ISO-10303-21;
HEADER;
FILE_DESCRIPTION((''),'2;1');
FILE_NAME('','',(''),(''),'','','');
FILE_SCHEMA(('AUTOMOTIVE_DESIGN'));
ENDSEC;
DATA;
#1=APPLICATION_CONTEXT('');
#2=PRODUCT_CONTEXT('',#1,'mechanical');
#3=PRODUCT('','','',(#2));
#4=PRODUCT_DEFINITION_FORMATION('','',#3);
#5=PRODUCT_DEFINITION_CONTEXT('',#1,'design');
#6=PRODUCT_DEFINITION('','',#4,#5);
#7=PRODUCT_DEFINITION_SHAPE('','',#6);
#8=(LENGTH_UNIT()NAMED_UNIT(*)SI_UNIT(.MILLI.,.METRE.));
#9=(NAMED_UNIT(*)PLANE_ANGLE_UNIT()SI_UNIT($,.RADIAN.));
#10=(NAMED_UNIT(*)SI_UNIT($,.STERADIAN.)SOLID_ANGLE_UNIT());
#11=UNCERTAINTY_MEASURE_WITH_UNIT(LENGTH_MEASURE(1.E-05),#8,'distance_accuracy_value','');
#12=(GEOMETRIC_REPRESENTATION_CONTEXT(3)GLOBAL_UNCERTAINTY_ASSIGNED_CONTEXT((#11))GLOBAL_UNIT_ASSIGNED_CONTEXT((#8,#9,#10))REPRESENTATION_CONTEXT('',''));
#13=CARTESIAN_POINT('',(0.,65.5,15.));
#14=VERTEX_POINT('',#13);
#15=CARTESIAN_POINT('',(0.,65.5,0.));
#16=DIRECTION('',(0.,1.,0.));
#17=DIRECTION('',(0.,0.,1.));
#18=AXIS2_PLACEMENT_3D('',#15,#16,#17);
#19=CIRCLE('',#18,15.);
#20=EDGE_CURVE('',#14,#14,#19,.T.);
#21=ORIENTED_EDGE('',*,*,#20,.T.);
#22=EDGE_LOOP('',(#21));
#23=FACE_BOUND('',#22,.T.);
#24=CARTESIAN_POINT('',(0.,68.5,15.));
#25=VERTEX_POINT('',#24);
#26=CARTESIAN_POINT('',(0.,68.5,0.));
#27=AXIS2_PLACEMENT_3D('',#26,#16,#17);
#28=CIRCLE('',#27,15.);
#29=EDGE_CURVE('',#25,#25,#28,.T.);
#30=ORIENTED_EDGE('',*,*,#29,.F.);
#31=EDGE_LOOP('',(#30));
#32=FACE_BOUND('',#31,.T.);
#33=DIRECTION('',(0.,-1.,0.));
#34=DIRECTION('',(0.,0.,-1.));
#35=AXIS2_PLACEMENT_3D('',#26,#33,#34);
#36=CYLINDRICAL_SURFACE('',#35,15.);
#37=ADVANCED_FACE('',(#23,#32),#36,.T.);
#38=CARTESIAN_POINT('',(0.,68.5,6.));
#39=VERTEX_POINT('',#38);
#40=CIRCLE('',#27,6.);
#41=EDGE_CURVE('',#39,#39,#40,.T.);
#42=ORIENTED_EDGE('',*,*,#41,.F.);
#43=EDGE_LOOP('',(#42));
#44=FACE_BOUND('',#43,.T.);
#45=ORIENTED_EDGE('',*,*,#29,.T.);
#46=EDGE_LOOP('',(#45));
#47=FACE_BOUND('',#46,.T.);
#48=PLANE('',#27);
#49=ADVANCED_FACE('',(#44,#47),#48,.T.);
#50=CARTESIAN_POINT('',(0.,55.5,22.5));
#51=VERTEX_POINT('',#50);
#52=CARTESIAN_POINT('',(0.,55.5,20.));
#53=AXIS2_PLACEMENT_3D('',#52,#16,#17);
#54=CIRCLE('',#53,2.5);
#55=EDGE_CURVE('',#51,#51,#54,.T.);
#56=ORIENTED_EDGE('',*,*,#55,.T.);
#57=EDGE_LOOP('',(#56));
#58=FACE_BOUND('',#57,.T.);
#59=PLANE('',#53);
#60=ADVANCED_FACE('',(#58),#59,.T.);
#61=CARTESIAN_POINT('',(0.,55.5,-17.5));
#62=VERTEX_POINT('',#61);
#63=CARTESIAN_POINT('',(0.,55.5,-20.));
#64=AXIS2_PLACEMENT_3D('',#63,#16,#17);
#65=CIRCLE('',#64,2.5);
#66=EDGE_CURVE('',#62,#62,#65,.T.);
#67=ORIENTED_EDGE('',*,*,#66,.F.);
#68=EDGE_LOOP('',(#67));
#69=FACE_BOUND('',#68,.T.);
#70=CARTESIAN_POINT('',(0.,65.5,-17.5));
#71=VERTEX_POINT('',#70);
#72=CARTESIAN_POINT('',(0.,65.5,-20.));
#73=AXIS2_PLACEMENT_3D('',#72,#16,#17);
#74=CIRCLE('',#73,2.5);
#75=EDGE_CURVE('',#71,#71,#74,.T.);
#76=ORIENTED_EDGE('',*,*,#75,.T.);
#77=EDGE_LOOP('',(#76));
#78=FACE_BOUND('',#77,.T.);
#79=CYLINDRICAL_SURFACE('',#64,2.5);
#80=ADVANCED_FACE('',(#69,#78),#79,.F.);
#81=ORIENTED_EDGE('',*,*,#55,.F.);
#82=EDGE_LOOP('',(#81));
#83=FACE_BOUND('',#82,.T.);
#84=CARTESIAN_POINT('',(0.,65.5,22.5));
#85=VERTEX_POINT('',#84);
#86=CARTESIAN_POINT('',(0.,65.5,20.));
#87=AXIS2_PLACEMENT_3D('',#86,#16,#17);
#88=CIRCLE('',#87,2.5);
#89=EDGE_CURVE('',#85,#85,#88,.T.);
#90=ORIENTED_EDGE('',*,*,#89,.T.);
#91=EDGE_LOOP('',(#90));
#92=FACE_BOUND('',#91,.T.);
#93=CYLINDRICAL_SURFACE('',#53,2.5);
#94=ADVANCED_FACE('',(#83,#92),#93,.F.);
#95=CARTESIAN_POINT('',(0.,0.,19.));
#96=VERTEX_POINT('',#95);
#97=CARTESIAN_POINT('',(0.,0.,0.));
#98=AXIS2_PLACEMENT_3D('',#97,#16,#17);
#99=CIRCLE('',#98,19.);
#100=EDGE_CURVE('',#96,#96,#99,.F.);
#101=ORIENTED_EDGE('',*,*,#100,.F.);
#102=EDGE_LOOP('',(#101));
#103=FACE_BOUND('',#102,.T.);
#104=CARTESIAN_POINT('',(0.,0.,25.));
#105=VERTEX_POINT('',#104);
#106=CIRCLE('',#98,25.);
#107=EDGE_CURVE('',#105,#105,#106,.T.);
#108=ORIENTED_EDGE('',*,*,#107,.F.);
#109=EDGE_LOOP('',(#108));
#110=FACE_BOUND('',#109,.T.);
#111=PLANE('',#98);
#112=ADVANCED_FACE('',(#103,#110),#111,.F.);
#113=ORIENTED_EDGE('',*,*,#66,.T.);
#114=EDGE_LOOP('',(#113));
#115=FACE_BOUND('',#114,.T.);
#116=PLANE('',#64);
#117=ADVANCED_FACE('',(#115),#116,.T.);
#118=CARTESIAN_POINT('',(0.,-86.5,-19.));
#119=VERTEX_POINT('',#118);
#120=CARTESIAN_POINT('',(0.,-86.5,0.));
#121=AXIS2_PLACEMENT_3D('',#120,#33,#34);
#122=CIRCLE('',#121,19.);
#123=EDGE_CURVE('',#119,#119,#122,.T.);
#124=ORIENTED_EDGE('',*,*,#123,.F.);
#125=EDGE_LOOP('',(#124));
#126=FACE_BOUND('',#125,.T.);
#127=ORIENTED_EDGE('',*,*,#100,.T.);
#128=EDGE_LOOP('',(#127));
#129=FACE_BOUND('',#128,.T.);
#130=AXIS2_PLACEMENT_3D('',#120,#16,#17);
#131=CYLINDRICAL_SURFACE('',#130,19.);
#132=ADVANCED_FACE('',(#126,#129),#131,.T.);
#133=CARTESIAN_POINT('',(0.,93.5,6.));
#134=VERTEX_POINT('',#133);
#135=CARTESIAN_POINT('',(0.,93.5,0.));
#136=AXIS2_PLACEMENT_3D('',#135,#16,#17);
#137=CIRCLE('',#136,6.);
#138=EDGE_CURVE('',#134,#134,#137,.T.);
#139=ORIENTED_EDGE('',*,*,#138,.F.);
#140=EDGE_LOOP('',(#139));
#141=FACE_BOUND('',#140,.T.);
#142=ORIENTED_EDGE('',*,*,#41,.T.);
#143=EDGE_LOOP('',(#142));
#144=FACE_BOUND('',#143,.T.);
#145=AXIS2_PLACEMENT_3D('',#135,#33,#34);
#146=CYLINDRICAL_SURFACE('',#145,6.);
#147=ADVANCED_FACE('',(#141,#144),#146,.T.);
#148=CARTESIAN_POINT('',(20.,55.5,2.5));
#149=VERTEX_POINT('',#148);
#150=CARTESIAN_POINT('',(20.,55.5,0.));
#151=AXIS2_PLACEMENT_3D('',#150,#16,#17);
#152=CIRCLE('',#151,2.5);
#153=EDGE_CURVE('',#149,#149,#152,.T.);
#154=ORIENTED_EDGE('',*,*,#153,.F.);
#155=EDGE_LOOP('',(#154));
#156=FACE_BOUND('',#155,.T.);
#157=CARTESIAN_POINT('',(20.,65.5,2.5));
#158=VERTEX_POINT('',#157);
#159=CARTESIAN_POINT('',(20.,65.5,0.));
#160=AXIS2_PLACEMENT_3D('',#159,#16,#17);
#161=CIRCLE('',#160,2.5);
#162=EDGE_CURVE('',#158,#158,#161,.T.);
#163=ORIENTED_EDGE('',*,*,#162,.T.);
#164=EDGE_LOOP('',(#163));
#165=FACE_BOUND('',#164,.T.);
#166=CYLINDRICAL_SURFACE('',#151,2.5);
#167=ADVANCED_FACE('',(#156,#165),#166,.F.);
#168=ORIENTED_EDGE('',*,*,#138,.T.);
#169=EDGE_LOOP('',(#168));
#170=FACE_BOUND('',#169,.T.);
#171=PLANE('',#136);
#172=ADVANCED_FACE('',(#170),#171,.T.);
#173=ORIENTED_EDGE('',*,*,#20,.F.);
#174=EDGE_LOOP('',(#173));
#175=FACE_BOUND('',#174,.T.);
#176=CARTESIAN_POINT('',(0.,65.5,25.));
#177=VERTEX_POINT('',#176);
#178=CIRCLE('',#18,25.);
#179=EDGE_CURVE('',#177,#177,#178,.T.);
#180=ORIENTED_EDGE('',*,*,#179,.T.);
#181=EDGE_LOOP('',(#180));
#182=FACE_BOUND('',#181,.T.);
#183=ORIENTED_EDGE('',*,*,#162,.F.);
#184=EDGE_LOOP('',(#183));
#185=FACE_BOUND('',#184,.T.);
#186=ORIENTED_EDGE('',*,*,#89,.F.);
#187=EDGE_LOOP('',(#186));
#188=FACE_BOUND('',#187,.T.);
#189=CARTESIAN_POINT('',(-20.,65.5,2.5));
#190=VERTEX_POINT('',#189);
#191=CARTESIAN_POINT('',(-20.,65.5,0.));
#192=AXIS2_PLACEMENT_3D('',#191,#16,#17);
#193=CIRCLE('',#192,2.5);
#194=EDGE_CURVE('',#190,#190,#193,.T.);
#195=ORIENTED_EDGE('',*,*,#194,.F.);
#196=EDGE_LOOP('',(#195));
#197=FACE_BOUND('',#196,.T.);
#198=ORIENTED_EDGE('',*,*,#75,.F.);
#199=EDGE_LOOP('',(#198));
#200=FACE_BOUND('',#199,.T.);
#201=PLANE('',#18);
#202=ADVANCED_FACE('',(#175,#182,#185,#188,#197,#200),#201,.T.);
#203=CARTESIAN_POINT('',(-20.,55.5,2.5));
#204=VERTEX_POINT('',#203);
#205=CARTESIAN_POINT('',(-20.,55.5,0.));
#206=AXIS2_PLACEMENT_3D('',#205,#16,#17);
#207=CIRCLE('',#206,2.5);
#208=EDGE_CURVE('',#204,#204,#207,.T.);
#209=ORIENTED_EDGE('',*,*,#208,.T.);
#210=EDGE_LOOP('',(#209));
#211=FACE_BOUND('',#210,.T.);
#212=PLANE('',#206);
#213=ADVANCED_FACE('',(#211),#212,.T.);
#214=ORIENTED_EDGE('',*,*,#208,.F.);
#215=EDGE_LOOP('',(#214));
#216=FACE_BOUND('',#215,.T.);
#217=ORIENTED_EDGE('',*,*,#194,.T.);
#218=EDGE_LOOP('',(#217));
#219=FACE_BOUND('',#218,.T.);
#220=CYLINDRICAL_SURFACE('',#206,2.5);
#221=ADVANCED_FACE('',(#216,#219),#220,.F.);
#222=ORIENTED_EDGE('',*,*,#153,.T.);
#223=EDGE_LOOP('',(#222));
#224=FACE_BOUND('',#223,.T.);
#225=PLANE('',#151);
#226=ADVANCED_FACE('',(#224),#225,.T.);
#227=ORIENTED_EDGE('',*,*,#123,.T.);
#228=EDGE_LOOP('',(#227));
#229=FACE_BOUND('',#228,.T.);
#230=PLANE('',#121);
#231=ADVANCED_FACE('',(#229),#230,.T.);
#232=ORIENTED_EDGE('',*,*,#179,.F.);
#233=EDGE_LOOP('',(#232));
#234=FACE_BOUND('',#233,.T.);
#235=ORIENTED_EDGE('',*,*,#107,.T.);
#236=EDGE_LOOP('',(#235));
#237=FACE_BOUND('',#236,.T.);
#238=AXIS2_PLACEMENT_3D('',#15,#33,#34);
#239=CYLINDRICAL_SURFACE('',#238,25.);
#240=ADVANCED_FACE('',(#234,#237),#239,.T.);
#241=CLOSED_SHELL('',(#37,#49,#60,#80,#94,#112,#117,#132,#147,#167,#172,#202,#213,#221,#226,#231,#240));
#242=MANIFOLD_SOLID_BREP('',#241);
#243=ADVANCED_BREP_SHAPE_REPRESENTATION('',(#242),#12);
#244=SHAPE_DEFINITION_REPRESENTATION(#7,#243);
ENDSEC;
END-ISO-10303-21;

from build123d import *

# Parameters (mm, degrees)
SKETCH1_R           = 25
BOSS_EXTRUDE1_DEPTH = 65.5
SKETCH2_R           = 15
BOSS_EXTRUDE2_DEPTH = 3
SKETCH3_R           = 6
BOSS_EXTRUDE3_DEPTH = 25
SKETCH4_R           = 19
BOSS_EXTRUDE4_DEPTH = 86.5
SKETCH5_R           = 2.5
CUT_EXTRUDE1_DEPTH  = 10


with BuildPart() as part:
    # Sketch1 → Boss-Extrude1 (new body)
    with BuildSketch(Plane(origin=(0, 0, 0), x_dir=(1, 0, 0), z_dir=(0, 1, 0))):
        Circle(SKETCH1_R)
    extrude(amount=BOSS_EXTRUDE1_DEPTH)

    # Sketch2 → Boss-Extrude2 (add)
    with BuildSketch(Plane(origin=(0, 65.5, 0), x_dir=(1, 0, 0), z_dir=(0, 1, 0))):
        Circle(SKETCH2_R)
    extrude(amount=BOSS_EXTRUDE2_DEPTH)

    # Sketch3 → Boss-Extrude3 (add)
    with BuildSketch(Plane(origin=(0, 68.5, 0), x_dir=(1, 0, 0), z_dir=(0, 1, 0))):
        Circle(SKETCH3_R)
    extrude(amount=BOSS_EXTRUDE3_DEPTH)

    # Sketch4 → Boss-Extrude4 (add)
    with BuildSketch(Plane.XZ):
        Circle(SKETCH4_R)
    extrude(amount=BOSS_EXTRUDE4_DEPTH)

    # Sketch5 → Cut-Extrude1 (cut)
    with BuildSketch(Plane(origin=(0, 65.5, 0), x_dir=(1, 0, 0), z_dir=(0, 1, 0))):
        with Locations((0, 20)):
            Circle(SKETCH5_R)
        with Locations((20, 0)):
            Circle(SKETCH5_R)
        with Locations((0, -20)):
            Circle(SKETCH5_R)
        with Locations((-20, 0)):
            Circle(SKETCH5_R)
    extrude(amount=-CUT_EXTRUDE1_DEPTH, mode=Mode.SUBTRACT)


solid = part.part
